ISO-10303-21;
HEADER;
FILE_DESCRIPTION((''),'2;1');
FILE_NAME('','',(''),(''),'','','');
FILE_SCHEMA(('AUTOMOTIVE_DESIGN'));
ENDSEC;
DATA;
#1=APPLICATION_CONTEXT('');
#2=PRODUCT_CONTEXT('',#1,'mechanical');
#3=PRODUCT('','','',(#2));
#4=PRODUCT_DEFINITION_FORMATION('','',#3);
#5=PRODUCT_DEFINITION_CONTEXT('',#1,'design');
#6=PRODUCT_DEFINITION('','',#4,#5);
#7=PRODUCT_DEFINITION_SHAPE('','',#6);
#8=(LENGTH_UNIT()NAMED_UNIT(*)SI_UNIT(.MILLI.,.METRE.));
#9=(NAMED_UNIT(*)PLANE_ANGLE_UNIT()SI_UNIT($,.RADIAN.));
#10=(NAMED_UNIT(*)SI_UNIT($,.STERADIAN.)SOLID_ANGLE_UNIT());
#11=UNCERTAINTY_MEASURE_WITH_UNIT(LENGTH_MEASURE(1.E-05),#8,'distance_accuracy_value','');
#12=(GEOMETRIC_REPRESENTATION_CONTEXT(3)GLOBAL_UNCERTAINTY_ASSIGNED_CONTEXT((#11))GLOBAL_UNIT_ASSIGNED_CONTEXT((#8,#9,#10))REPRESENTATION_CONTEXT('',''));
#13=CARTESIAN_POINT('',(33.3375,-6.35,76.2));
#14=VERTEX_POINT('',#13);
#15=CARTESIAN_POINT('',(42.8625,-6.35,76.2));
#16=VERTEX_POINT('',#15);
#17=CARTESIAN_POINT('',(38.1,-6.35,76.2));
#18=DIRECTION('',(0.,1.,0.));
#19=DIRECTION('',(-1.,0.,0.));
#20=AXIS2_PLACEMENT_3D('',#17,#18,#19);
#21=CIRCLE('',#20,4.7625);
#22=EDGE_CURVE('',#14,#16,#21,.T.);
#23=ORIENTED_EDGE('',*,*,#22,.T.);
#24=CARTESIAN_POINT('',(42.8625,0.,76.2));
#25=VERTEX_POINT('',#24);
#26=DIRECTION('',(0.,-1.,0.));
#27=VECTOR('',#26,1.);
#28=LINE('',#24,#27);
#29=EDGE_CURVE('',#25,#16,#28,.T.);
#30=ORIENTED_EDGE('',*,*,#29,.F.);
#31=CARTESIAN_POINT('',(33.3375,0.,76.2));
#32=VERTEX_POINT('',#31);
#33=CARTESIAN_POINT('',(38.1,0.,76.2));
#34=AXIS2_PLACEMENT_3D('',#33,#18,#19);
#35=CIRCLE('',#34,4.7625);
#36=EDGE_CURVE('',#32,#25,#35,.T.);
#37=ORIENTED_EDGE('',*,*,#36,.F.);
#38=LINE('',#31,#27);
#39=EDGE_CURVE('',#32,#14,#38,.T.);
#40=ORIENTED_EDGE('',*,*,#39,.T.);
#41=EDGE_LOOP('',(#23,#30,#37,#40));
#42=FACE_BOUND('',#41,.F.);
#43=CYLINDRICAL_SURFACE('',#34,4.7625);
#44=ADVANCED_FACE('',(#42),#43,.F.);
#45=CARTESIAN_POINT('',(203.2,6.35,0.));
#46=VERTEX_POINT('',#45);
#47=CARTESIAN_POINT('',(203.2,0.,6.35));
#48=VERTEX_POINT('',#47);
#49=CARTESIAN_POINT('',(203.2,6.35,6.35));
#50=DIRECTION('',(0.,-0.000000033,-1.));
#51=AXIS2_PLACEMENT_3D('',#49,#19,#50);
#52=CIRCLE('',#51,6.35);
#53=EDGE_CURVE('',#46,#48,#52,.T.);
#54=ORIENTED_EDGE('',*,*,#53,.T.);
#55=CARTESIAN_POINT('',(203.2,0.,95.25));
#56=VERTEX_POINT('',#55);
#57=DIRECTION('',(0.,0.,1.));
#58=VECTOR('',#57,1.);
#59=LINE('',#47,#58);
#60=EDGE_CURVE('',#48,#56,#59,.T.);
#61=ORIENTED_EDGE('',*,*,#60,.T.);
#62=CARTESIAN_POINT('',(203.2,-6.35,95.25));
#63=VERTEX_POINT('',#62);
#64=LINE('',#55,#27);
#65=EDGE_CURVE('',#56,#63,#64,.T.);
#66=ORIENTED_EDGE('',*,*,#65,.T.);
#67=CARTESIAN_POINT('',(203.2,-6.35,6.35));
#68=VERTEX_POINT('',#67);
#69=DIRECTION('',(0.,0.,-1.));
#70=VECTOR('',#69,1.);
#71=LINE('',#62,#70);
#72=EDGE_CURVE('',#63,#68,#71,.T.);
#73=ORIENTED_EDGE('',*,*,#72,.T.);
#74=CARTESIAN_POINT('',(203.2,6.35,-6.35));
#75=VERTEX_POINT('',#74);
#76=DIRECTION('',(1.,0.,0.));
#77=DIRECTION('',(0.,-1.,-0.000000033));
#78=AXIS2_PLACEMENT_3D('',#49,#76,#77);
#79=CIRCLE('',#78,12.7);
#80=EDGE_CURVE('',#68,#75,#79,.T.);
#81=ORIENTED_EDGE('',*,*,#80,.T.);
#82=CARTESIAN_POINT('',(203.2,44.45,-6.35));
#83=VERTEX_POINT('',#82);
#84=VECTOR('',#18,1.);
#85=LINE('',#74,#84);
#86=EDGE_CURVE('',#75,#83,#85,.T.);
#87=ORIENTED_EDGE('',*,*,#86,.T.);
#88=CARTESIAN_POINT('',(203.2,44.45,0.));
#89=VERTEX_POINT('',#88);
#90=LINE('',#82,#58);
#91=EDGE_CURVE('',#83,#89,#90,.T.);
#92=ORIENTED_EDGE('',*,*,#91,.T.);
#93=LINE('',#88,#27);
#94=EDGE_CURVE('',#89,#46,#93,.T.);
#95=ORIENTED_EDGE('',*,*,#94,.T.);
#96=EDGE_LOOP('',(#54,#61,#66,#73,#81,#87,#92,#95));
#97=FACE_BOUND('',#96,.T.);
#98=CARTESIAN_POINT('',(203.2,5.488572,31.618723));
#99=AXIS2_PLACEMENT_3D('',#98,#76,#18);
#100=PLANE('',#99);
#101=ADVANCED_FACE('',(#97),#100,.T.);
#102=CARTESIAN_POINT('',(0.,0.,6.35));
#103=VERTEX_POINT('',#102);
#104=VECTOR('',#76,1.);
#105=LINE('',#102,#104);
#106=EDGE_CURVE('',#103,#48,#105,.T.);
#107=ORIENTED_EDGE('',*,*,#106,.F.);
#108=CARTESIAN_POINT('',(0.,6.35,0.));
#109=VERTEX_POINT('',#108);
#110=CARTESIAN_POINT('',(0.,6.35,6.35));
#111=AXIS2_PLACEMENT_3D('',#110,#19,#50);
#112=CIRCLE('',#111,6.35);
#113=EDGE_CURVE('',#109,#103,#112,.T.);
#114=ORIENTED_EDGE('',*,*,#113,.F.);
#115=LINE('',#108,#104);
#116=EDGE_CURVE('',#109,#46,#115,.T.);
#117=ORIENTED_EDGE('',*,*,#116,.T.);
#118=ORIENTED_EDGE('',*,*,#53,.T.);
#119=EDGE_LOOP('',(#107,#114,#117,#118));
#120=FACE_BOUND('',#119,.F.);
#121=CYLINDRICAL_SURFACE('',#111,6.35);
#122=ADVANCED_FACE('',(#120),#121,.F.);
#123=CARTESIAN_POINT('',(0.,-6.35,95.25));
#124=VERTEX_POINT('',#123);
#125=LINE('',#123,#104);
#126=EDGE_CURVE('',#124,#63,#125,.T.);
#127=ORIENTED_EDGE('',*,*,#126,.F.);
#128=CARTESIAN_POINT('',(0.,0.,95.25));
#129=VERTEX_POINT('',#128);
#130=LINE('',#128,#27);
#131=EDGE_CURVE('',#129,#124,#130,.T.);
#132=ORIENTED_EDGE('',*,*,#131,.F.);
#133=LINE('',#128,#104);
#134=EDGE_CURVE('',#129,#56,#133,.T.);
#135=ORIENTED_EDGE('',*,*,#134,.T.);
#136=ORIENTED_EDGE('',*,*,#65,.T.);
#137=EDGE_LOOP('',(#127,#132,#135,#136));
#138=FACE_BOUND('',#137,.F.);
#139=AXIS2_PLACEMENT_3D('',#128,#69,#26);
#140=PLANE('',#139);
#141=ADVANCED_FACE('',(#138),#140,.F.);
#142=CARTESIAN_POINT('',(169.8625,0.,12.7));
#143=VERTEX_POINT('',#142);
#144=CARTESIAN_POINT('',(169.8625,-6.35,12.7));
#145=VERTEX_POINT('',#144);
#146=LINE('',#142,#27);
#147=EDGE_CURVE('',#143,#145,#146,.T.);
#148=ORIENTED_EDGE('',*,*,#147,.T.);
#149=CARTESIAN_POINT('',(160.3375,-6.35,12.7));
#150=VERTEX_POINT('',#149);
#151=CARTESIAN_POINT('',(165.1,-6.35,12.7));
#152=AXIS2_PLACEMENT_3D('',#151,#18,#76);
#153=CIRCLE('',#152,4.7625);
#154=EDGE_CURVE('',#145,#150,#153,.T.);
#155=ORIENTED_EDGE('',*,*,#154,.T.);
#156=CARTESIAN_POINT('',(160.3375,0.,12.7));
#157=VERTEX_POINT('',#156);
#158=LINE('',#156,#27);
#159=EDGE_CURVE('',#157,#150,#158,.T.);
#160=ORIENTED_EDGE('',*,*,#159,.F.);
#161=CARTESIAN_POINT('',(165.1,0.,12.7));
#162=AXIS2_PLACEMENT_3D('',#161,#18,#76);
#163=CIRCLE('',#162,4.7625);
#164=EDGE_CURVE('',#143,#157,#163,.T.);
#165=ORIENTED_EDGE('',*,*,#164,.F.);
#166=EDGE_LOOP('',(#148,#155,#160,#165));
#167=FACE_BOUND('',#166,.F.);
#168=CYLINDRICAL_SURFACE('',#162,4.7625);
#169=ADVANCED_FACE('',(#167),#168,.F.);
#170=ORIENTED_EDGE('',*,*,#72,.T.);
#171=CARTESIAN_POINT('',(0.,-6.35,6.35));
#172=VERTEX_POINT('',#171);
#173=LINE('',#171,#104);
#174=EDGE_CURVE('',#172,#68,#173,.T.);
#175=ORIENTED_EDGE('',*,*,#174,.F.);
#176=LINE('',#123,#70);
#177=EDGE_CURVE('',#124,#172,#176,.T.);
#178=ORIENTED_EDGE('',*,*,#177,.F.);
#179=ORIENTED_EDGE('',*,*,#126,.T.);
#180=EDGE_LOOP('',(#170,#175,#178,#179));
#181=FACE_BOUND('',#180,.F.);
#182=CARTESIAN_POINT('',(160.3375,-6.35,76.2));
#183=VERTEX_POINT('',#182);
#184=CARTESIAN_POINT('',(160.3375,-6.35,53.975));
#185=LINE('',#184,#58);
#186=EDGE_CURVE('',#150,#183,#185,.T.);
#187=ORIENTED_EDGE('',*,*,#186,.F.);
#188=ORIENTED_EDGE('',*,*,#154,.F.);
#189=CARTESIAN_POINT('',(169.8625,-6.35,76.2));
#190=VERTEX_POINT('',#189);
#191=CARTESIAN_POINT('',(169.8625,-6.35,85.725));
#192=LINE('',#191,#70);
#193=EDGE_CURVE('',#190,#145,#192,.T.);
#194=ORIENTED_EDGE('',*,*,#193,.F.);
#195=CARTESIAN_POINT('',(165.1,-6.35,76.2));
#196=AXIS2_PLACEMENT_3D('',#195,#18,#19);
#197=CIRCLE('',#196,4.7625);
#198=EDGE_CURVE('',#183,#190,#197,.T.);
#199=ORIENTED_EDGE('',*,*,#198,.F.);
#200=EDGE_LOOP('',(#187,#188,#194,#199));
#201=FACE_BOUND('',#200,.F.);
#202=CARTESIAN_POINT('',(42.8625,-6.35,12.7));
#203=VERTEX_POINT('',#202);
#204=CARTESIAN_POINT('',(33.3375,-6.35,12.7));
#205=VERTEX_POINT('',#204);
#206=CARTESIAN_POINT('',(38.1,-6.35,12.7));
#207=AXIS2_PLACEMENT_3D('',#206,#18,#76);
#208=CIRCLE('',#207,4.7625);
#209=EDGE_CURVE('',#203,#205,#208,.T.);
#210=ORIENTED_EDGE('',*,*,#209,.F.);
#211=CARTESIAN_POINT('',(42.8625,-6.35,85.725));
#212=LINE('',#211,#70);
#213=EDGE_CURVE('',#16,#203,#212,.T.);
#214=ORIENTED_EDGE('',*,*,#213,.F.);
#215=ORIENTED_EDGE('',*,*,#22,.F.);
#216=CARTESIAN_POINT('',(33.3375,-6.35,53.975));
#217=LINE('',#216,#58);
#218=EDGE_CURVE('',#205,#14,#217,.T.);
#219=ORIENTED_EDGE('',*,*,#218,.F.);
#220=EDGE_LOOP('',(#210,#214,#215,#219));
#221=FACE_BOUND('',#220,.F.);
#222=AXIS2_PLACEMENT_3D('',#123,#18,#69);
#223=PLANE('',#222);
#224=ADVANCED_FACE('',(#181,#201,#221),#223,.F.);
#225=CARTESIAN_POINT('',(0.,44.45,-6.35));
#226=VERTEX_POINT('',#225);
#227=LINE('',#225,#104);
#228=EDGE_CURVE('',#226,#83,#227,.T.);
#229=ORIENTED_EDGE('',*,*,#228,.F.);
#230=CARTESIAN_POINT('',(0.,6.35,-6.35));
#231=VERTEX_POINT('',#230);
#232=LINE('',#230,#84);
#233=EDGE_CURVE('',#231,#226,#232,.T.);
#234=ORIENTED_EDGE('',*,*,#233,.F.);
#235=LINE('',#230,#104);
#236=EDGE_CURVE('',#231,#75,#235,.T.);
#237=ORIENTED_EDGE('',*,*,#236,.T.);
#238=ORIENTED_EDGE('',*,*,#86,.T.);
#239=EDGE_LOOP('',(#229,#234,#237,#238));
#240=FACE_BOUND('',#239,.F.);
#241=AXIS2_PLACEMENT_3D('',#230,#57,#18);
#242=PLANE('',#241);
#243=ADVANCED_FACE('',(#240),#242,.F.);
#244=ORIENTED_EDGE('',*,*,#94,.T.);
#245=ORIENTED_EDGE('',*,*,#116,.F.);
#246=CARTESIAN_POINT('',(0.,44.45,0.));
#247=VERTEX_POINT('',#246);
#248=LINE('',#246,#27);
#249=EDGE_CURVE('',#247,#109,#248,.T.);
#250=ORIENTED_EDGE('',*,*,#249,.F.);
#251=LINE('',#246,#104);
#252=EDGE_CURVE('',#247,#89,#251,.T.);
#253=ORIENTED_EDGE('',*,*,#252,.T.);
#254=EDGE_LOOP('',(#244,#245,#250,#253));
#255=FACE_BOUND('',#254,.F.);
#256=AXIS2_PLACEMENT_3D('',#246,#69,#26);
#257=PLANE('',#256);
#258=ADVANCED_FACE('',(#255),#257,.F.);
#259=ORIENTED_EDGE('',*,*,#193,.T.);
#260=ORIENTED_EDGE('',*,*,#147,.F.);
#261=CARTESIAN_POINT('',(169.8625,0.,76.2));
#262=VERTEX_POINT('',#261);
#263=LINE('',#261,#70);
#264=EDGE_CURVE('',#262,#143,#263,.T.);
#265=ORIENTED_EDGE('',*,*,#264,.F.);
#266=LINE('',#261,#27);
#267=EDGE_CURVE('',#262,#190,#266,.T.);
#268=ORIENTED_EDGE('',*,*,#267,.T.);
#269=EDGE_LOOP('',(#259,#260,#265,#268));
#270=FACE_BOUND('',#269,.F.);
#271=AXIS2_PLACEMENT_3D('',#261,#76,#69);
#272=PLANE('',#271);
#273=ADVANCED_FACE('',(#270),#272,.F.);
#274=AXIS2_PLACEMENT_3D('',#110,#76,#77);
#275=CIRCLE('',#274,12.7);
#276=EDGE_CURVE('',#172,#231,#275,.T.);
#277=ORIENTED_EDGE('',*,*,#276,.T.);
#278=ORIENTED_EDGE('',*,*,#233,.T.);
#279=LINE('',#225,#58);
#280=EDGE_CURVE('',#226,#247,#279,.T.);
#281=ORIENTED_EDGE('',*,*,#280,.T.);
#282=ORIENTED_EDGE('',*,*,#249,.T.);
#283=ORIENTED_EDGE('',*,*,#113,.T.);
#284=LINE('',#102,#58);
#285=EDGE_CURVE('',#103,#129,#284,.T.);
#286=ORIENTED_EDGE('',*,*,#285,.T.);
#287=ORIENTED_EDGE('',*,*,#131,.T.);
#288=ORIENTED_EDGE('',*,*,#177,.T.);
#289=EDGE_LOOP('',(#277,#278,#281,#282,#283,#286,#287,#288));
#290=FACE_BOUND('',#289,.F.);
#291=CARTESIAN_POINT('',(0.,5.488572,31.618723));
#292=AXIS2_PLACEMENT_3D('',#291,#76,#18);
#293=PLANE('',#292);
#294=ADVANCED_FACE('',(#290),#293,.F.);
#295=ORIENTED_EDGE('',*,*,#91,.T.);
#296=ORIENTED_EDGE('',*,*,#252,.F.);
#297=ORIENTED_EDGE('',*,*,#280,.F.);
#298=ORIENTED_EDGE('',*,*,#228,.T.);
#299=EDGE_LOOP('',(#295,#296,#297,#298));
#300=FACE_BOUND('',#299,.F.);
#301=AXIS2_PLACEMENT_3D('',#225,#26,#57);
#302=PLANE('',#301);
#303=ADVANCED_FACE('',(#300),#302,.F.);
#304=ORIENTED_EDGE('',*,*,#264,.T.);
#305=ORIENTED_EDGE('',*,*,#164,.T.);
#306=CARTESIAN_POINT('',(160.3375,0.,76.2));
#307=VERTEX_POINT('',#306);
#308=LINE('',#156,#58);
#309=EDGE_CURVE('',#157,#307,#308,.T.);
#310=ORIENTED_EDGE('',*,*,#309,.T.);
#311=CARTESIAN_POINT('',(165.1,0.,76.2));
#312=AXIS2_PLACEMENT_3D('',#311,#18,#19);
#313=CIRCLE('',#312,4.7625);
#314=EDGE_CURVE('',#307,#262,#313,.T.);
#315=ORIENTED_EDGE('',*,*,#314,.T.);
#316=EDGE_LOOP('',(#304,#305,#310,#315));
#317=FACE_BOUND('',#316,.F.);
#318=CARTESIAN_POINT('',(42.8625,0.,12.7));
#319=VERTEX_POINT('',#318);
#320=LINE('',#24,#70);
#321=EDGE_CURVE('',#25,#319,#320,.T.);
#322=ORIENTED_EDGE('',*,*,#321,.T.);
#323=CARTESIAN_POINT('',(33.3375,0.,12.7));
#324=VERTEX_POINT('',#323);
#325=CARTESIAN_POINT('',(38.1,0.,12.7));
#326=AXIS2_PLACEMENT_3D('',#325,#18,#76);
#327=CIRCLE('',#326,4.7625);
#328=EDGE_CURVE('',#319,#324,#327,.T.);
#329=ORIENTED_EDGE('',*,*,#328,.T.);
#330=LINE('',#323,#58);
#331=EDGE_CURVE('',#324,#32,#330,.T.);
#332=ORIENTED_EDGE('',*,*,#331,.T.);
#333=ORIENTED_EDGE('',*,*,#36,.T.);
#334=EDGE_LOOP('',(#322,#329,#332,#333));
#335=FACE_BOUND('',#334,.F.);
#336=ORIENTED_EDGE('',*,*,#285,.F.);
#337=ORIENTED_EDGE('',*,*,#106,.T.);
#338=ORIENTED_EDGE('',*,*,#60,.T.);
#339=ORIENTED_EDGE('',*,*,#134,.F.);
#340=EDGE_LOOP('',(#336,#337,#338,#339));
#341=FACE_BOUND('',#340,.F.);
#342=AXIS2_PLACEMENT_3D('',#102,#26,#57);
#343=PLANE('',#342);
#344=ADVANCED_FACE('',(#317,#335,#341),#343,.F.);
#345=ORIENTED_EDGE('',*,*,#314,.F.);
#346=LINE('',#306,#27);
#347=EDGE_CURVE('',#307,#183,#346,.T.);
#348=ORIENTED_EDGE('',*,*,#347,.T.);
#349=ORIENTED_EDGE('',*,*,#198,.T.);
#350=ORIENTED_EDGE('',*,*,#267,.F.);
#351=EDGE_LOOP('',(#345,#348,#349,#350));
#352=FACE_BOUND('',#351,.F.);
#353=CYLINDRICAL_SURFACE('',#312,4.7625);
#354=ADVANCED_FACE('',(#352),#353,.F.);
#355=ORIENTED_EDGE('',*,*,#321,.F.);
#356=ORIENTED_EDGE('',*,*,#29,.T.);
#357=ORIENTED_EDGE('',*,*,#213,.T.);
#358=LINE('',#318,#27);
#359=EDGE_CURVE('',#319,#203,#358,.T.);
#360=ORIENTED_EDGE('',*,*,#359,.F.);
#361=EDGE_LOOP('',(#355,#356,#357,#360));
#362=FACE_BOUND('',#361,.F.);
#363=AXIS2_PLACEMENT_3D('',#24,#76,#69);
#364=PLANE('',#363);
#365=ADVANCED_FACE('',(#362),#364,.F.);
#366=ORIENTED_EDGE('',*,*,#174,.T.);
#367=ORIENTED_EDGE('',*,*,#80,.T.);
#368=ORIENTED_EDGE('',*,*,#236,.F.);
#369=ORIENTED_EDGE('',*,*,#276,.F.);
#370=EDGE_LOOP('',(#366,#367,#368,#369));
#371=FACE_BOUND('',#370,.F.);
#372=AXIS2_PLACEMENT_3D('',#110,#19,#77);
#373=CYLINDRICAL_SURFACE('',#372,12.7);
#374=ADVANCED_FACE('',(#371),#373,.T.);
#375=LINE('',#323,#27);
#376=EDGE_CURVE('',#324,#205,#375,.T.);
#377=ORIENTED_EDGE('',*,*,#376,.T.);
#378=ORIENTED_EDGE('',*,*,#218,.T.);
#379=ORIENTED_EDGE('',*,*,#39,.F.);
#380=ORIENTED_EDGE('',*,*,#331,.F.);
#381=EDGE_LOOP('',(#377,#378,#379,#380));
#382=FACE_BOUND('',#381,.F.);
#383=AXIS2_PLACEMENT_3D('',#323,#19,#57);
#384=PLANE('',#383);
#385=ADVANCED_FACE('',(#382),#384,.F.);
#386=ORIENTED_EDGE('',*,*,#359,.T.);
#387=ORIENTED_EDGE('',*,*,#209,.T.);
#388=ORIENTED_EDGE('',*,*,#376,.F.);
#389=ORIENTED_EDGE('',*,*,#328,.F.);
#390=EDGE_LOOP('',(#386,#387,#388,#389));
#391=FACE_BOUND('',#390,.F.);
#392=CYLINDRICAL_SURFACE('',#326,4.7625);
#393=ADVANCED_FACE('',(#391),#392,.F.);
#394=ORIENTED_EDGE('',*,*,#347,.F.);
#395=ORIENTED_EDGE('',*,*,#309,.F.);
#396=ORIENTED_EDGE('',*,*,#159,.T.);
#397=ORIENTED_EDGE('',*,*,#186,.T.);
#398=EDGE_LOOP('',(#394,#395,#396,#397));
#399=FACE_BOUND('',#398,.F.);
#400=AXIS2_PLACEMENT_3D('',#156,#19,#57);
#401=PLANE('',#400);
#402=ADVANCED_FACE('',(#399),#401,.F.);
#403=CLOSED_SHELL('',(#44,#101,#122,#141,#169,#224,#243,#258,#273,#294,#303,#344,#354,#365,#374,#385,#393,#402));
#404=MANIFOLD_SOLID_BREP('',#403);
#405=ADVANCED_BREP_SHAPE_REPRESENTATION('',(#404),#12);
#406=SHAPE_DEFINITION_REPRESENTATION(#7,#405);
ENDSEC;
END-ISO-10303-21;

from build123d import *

# Parameters (mm, degrees)
F1_DEPTH = 203.2
F3_DEPTH = 6.351


with BuildPart() as f1:
    # F0 (on Right) → F1 (new body)
    with BuildSketch(Plane.YZ):
        with BuildLine():
            Line((0, 95.25), (-6.35, 95.25))
            Line((-6.35, 95.25), (-6.35, 6.35))
            ThreePointArc((-6.35, 6.35), (-2.630256, -2.630256), (6.35, -6.35))
            Line((6.35, -6.35), (44.45, -6.35))
            Line((44.45, -6.35), (44.45, 0))
            Line((44.45, 0), (6.35, 0))
            ThreePointArc((6.35, 0), (1.859872, 1.859872), (0, 6.35))
            Line((0, 6.35), (0, 95.25))
        make_face()
    extrude(amount=F1_DEPTH)

    # F2 (on face) → F3 (cut, through all)
    with BuildSketch(Plane(origin=(0, 0, 0), x_dir=(-1, 0, 0), z_dir=(0, 1, 0))):
        with BuildLine():
            Line((-160.3375, 12.7), (-160.3375, 76.2))
            ThreePointArc((-160.3375, 76.2), (-165.1, 80.9625), (-169.8625, 76.2))
            Line((-169.8625, 76.2), (-169.8625, 12.7))
            ThreePointArc((-169.8625, 12.7), (-165.1, 7.9375), (-160.3375, 12.7))
        make_face()
        with BuildLine():
            Line((-33.3375, 12.7), (-33.3375, 76.2))
            ThreePointArc((-33.3375, 76.2), (-38.1, 80.9625), (-42.8625, 76.2))
            Line((-42.8625, 76.2), (-42.8625, 12.7))
            ThreePointArc((-42.8625, 12.7), (-38.1, 7.9375), (-33.3375, 12.7))
        make_face()
    extrude(amount=-F3_DEPTH, mode=Mode.SUBTRACT)


solid = f1.part
